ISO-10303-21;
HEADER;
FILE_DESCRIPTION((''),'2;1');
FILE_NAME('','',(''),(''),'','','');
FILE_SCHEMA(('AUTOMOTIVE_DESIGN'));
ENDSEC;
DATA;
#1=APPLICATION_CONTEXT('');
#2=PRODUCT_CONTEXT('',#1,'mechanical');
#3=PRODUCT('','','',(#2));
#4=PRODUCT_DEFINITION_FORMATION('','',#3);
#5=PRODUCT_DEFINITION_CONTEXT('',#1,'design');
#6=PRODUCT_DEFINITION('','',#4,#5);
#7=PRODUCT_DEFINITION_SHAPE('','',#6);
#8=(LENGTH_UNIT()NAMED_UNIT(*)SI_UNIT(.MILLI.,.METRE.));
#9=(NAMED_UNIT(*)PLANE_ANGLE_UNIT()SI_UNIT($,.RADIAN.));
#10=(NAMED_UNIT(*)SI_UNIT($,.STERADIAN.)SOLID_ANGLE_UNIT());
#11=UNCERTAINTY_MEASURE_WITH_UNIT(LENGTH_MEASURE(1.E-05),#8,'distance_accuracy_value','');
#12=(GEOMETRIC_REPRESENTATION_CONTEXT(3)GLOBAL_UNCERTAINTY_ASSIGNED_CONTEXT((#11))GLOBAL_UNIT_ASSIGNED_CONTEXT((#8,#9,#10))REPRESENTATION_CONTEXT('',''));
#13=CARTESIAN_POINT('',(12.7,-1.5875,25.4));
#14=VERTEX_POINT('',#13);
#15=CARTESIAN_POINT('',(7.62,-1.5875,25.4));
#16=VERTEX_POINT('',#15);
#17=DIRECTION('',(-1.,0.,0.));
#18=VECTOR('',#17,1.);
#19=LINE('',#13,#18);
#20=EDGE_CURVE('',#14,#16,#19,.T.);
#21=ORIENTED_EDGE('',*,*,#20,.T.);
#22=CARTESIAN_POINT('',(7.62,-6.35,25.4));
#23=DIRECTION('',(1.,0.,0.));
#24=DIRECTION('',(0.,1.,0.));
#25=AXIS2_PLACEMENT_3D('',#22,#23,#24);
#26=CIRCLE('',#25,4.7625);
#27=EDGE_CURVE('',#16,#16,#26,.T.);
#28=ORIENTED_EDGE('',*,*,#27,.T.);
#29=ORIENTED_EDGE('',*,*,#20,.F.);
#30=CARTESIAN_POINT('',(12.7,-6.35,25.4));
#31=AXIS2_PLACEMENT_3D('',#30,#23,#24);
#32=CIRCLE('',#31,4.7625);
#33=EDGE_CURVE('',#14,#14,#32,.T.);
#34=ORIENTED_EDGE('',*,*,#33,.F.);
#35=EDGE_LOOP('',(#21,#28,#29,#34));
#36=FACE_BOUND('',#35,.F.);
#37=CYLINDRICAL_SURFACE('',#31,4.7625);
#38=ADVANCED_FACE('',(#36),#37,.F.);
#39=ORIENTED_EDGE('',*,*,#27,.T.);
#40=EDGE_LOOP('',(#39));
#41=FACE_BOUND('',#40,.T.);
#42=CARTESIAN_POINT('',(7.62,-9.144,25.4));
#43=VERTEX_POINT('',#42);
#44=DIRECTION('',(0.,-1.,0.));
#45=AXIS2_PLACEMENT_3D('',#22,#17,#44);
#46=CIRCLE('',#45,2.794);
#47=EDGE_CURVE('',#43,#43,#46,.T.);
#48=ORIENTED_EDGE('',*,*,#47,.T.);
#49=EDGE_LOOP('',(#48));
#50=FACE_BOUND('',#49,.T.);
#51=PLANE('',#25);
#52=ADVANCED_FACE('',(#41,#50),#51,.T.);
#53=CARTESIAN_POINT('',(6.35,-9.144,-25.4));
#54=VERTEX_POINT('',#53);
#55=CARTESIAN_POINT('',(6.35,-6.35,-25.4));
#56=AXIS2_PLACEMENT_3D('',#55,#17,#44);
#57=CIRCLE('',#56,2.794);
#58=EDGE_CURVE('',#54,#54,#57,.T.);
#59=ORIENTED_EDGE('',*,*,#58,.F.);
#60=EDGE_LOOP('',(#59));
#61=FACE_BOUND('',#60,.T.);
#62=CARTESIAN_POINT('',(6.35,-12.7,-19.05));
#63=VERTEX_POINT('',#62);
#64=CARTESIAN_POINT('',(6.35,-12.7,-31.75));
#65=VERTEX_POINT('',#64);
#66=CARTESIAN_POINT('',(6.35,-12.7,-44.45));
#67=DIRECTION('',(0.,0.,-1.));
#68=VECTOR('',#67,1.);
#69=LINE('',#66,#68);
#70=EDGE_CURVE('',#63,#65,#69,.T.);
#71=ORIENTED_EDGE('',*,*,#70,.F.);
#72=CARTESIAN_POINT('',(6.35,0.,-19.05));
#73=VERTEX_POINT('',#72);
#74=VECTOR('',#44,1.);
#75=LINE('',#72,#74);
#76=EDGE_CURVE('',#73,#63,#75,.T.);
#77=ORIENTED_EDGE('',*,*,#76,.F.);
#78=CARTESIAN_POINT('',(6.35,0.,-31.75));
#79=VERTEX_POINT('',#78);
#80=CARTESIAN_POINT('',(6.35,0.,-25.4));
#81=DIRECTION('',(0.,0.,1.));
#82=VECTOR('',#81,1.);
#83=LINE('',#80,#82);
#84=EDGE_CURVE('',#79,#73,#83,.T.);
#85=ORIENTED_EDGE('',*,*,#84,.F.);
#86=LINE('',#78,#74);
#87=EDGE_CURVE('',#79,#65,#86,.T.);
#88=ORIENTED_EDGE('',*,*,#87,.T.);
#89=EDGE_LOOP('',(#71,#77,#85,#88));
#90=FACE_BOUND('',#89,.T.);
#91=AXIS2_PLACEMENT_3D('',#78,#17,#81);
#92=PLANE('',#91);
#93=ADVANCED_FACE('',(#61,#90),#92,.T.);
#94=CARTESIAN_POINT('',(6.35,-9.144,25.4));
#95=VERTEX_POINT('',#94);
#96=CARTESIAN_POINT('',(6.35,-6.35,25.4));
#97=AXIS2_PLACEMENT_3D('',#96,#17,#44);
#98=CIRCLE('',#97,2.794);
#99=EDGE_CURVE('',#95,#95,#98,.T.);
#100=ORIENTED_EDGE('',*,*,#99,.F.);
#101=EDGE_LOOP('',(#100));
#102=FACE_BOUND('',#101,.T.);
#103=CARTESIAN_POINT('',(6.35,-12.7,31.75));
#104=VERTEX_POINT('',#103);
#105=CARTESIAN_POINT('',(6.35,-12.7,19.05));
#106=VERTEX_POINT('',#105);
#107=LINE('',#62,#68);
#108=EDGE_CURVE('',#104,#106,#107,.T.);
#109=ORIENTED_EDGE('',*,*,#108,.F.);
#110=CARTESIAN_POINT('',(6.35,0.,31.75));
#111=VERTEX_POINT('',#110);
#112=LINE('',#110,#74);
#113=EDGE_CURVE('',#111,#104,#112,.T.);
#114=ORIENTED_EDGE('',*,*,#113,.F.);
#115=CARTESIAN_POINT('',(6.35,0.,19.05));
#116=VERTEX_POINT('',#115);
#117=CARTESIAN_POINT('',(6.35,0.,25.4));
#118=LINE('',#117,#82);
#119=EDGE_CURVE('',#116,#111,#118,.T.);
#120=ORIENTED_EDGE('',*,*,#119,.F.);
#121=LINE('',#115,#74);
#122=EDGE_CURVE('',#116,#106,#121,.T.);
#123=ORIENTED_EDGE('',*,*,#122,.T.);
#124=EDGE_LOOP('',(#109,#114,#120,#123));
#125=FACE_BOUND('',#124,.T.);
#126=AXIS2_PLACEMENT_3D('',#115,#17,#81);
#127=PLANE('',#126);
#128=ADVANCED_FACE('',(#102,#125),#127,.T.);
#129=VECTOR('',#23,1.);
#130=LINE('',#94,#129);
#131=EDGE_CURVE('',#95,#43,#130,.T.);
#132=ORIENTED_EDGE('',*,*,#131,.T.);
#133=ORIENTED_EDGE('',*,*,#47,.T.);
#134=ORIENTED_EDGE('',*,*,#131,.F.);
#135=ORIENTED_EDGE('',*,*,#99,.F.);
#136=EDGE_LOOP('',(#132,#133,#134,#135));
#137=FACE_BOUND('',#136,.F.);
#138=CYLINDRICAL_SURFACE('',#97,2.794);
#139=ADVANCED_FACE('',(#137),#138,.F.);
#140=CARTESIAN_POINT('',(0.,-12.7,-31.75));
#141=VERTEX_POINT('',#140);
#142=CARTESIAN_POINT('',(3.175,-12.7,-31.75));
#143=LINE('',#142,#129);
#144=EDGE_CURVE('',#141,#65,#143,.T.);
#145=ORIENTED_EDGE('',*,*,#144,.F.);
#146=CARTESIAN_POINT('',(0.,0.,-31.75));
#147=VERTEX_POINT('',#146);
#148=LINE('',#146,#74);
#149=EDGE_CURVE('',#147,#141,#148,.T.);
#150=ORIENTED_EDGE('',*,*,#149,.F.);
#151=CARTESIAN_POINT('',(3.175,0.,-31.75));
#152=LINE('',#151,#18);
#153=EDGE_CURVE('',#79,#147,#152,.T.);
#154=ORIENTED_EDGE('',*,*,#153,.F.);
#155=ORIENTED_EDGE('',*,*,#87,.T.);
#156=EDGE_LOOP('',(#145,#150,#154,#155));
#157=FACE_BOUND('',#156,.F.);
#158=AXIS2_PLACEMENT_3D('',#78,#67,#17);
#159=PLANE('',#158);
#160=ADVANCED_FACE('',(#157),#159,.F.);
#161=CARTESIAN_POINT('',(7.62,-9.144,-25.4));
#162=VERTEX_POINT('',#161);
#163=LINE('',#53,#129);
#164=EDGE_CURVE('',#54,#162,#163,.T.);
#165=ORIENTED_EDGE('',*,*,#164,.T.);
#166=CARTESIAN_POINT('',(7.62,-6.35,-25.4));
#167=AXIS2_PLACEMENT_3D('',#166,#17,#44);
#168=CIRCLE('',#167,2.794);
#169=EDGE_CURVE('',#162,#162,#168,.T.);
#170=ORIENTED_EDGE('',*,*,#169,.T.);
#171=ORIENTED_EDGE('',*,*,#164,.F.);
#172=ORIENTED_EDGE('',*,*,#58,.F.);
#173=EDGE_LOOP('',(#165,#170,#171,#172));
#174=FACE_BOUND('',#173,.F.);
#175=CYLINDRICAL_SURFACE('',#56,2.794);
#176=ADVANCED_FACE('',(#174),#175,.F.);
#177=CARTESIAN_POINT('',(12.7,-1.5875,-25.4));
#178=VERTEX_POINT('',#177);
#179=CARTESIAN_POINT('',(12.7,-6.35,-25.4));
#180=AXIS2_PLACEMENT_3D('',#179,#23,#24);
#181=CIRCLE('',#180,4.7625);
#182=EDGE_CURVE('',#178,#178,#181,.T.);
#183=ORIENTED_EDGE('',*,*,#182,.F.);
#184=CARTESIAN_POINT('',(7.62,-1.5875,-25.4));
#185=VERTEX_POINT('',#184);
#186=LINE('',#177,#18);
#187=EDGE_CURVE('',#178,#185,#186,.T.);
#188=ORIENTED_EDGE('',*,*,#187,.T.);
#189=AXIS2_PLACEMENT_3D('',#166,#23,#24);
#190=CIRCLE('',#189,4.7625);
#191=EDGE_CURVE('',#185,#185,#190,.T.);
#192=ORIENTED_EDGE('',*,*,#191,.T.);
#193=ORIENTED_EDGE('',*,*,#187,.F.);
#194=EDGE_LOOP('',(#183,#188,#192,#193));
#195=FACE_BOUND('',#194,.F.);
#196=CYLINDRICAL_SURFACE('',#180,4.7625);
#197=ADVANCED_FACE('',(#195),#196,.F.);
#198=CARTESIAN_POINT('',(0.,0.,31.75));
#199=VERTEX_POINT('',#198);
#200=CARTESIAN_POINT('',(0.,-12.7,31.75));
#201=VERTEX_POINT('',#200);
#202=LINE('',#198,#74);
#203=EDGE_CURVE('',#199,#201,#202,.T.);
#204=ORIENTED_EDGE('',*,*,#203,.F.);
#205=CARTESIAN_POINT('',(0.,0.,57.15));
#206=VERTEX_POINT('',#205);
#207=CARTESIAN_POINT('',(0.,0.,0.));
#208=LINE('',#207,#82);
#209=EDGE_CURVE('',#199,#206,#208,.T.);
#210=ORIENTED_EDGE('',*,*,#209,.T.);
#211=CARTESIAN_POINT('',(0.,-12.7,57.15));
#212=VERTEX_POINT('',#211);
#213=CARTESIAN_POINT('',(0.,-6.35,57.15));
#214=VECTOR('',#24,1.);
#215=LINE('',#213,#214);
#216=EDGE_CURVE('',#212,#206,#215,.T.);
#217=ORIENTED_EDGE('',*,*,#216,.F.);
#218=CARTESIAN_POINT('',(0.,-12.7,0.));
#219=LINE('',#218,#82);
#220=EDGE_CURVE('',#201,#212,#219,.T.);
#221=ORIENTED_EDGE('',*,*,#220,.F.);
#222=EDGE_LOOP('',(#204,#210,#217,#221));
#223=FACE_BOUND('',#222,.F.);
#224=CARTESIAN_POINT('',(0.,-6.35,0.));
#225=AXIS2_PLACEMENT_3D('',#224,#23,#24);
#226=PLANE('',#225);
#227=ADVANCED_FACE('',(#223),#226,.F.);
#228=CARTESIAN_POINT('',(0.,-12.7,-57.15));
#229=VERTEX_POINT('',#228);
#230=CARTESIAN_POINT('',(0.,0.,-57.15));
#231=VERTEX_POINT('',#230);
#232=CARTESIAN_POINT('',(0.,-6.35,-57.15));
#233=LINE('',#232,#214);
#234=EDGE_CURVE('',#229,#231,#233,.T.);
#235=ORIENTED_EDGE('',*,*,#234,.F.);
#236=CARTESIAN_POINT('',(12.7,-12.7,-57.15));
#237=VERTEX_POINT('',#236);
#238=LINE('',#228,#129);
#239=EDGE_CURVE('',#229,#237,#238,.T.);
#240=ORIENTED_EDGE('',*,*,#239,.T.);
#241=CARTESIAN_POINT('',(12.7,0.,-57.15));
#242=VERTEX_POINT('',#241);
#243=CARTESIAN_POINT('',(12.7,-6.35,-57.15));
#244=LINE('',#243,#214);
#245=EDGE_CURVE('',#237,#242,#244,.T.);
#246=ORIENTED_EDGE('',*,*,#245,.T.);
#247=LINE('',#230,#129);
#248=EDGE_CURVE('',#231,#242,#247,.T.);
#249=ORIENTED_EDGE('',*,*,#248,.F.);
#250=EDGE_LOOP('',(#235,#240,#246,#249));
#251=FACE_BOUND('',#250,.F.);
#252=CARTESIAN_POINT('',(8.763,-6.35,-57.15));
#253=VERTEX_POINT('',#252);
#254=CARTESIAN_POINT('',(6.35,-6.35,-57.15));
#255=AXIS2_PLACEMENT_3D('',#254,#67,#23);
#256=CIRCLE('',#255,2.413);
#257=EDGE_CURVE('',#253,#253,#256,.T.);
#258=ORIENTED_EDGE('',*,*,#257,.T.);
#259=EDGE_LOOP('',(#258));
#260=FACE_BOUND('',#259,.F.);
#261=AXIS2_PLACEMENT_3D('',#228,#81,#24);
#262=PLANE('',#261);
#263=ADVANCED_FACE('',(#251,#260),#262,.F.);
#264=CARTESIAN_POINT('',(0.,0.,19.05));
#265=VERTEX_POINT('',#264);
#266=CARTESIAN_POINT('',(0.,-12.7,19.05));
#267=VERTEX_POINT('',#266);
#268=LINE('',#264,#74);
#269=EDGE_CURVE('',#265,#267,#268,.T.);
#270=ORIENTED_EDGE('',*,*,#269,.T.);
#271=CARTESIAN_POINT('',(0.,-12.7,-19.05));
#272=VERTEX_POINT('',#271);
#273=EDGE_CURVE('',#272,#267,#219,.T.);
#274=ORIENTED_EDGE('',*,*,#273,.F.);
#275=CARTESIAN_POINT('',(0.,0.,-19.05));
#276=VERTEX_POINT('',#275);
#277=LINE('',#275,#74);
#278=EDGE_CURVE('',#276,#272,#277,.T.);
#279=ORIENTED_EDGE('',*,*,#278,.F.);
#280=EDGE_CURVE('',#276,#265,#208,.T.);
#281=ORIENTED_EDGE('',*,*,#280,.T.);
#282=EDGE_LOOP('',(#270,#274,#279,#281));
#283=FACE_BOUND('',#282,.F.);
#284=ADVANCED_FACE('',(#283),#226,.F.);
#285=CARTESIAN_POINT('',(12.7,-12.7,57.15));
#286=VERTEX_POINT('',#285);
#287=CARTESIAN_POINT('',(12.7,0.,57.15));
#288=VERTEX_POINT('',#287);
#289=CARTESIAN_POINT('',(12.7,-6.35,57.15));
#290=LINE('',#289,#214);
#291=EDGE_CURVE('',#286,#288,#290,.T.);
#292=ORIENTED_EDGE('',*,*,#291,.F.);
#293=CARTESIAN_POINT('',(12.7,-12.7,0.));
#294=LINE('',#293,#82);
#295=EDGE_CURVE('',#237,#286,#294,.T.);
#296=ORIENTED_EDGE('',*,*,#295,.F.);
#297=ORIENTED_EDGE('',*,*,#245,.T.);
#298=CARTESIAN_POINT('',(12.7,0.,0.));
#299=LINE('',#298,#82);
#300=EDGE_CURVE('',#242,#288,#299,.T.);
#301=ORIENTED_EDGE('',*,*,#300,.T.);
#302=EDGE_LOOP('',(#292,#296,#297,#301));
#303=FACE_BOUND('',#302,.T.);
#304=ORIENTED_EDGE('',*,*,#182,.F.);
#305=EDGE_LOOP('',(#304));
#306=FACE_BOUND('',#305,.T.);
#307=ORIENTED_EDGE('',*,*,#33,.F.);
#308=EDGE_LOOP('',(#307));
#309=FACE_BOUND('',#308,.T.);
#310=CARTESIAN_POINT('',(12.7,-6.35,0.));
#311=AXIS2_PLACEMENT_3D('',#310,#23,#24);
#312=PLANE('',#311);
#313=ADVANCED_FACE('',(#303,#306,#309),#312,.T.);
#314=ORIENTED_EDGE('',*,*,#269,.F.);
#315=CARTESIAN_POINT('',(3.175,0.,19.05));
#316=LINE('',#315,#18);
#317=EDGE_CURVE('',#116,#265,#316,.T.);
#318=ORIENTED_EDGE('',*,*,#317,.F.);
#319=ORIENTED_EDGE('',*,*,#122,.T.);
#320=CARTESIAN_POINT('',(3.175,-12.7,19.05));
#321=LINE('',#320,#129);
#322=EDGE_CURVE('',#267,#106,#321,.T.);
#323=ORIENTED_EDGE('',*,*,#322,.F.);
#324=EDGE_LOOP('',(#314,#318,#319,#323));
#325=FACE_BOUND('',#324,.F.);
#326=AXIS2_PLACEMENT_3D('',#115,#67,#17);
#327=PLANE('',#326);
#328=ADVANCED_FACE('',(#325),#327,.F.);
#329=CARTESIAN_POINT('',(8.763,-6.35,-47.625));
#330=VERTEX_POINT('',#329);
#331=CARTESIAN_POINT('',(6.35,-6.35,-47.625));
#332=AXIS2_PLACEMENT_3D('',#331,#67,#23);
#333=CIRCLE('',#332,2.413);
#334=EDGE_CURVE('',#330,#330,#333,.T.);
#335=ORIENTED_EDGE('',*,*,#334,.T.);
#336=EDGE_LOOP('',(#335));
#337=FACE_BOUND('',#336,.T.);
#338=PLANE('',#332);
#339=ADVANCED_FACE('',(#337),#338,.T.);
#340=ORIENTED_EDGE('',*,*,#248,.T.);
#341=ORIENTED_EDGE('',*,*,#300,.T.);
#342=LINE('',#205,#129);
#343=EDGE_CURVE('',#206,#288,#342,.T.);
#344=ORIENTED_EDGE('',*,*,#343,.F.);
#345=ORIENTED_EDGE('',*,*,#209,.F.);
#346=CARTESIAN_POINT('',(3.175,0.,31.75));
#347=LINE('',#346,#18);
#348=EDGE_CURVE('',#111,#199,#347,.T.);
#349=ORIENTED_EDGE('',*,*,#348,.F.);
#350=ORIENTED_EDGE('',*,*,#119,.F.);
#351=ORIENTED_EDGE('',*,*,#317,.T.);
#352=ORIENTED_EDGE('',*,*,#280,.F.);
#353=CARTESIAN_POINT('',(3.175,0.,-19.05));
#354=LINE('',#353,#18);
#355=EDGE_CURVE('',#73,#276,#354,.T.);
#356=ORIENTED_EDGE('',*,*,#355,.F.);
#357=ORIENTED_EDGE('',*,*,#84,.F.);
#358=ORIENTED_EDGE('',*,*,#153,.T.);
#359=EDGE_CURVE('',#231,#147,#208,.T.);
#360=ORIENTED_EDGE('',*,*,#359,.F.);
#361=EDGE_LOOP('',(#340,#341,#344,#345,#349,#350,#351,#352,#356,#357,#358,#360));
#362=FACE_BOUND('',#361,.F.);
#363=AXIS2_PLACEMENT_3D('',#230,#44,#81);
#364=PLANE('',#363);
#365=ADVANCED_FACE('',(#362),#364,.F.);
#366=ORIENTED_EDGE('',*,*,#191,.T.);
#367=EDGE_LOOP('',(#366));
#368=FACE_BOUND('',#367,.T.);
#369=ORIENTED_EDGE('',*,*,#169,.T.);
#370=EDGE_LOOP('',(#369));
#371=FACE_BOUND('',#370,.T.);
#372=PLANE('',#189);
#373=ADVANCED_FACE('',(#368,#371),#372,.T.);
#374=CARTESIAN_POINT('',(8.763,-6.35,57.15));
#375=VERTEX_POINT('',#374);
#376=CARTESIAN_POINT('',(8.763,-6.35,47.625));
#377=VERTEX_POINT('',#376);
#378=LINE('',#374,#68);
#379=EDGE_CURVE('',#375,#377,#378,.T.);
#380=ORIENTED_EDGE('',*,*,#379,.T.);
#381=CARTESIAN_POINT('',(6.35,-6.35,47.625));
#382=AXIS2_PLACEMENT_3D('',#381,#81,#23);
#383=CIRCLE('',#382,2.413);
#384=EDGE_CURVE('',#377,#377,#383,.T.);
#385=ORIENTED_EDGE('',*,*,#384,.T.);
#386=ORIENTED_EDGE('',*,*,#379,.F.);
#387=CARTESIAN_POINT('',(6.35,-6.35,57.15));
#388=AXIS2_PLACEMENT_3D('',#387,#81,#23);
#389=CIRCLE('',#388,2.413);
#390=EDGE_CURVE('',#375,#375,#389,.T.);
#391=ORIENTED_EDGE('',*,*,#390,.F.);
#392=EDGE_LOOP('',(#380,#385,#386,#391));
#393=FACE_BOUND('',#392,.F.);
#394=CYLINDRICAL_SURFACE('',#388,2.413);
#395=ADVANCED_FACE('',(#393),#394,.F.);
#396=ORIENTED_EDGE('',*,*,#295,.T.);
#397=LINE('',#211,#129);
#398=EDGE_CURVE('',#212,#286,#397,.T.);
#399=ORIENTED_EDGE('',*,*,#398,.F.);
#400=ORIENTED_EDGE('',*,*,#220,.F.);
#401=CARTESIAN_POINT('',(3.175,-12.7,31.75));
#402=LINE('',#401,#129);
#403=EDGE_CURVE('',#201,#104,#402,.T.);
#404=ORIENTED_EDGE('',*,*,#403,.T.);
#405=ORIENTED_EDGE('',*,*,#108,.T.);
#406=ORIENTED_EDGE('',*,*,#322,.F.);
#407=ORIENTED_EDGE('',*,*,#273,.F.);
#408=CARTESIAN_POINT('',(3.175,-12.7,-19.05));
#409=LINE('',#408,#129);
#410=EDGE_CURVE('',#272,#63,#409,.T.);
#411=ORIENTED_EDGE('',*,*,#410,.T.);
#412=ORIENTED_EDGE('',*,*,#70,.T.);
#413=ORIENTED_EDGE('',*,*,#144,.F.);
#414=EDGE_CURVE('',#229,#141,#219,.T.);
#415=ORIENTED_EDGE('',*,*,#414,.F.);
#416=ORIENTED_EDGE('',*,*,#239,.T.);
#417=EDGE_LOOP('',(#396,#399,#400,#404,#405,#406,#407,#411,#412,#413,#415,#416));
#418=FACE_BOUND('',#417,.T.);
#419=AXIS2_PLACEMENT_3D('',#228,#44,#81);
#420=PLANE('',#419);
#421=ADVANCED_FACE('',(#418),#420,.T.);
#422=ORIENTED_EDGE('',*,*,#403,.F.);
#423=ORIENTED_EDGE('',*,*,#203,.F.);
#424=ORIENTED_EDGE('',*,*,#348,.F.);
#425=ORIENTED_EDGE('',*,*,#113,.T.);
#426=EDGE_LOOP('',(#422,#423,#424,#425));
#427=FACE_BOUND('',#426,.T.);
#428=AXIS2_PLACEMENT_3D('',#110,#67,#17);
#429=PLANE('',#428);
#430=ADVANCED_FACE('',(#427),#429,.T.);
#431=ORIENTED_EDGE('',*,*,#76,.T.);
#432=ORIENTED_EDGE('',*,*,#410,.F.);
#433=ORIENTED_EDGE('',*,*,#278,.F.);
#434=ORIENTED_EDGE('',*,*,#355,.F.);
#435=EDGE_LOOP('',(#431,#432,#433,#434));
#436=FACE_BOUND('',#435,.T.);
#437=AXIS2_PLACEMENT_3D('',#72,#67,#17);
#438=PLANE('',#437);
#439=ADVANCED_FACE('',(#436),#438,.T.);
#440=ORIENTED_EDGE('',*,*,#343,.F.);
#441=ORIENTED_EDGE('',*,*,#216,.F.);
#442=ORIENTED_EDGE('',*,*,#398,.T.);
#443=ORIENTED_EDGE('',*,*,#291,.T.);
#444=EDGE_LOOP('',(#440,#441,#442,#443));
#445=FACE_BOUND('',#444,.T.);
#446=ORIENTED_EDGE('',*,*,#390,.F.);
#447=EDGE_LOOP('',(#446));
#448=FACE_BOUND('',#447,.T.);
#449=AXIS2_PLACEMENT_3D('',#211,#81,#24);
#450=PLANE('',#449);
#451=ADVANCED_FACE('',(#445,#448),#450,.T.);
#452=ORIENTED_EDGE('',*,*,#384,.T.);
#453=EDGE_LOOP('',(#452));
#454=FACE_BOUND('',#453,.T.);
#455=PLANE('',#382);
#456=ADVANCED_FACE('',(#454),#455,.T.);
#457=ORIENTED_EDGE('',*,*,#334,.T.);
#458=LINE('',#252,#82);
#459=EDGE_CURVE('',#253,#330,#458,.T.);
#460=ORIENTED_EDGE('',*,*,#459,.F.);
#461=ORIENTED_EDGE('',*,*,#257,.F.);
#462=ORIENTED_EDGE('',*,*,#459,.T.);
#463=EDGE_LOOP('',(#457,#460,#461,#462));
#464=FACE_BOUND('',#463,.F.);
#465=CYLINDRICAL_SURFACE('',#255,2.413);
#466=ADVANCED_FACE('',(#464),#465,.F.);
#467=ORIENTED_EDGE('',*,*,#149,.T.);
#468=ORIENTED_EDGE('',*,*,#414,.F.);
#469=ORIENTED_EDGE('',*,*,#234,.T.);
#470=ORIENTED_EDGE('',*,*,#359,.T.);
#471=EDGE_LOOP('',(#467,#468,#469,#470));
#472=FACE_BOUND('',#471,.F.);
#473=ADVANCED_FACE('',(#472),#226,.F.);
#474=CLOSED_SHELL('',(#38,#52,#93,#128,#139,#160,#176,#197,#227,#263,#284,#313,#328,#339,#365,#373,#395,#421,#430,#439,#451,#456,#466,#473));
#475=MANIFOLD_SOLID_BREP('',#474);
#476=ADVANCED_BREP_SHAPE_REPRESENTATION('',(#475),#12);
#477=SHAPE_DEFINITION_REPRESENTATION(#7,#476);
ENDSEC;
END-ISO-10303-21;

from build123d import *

# Parameters (mm, degrees)
F0_W      = 12.7
F0_H      = 114.3
F1_DEPTH  = 12.7
F2_W      = 6.35
F2_H      = 12.7
F3_DEPTH  = 12.701
F4_R      = 2.794
F5_DEPTH  = 6.351
F6_R      = 4.7625
F7_DEPTH  = 5.08
F8_R      = 2.413
F9_DEPTH  = 9.525
F10_R     = 2.413
F11_DEPTH = 9.525


with BuildPart() as f1:
    # F0 (on Right) → F1 (new body)
    with BuildSketch(Plane.YZ):
        with Locations((-6.35, 0)):
            Rectangle(F0_W, F0_H)
    extrude(amount=F1_DEPTH)

    # F2 (on face) → F3 (cut, through all)
    with BuildSketch(Plane(origin=(0, 0, 0), x_dir=(-1, 0, 0), z_dir=(0, 1, 0))):
        with Locations((-3.175, 25.4)):
            Rectangle(F2_W, F2_H)
        with Locations((-3.175, -25.4)):
            Rectangle(F2_W, F2_H)
    extrude(amount=-F3_DEPTH, mode=Mode.SUBTRACT)

    # F4 (on face) → F5 (cut, through all)
    with BuildSketch(Plane(origin=(6.35, 0, 0), x_dir=(0, -1, 0), z_dir=(-1, 0, 0))):
        with Locations((6.35, 25.4)):
            Circle(F4_R)
        with Locations((6.35, -25.4)):
            Circle(F4_R)
    extrude(amount=-F5_DEPTH, mode=Mode.SUBTRACT)

    # F6 (on face) → F7 (cut)
    with BuildSketch(Plane.YZ.offset(12.7)):
        with Locations((-6.35, 25.4)):
            Circle(F6_R)
        with Locations((-6.35, -25.4)):
            Circle(F6_R)
    extrude(amount=-F7_DEPTH, mode=Mode.SUBTRACT)

    # F8 (on face) → F9 (cut)
    with BuildSketch(Plane.XY.offset(57.15)):
        with Locations((6.35, -6.35)):
            Circle(F8_R)
    extrude(amount=-F9_DEPTH, mode=Mode.SUBTRACT)

    # F10 (on face) → F11 (cut)
    with BuildSketch(Plane(origin=(0, 0, -57.15), x_dir=(1, 0, 0), z_dir=(0, 0, -1))):
        with Locations((6.35, 6.35)):
            Circle(F10_R)
    extrude(amount=-F11_DEPTH, mode=Mode.SUBTRACT)


solid = f1.part
